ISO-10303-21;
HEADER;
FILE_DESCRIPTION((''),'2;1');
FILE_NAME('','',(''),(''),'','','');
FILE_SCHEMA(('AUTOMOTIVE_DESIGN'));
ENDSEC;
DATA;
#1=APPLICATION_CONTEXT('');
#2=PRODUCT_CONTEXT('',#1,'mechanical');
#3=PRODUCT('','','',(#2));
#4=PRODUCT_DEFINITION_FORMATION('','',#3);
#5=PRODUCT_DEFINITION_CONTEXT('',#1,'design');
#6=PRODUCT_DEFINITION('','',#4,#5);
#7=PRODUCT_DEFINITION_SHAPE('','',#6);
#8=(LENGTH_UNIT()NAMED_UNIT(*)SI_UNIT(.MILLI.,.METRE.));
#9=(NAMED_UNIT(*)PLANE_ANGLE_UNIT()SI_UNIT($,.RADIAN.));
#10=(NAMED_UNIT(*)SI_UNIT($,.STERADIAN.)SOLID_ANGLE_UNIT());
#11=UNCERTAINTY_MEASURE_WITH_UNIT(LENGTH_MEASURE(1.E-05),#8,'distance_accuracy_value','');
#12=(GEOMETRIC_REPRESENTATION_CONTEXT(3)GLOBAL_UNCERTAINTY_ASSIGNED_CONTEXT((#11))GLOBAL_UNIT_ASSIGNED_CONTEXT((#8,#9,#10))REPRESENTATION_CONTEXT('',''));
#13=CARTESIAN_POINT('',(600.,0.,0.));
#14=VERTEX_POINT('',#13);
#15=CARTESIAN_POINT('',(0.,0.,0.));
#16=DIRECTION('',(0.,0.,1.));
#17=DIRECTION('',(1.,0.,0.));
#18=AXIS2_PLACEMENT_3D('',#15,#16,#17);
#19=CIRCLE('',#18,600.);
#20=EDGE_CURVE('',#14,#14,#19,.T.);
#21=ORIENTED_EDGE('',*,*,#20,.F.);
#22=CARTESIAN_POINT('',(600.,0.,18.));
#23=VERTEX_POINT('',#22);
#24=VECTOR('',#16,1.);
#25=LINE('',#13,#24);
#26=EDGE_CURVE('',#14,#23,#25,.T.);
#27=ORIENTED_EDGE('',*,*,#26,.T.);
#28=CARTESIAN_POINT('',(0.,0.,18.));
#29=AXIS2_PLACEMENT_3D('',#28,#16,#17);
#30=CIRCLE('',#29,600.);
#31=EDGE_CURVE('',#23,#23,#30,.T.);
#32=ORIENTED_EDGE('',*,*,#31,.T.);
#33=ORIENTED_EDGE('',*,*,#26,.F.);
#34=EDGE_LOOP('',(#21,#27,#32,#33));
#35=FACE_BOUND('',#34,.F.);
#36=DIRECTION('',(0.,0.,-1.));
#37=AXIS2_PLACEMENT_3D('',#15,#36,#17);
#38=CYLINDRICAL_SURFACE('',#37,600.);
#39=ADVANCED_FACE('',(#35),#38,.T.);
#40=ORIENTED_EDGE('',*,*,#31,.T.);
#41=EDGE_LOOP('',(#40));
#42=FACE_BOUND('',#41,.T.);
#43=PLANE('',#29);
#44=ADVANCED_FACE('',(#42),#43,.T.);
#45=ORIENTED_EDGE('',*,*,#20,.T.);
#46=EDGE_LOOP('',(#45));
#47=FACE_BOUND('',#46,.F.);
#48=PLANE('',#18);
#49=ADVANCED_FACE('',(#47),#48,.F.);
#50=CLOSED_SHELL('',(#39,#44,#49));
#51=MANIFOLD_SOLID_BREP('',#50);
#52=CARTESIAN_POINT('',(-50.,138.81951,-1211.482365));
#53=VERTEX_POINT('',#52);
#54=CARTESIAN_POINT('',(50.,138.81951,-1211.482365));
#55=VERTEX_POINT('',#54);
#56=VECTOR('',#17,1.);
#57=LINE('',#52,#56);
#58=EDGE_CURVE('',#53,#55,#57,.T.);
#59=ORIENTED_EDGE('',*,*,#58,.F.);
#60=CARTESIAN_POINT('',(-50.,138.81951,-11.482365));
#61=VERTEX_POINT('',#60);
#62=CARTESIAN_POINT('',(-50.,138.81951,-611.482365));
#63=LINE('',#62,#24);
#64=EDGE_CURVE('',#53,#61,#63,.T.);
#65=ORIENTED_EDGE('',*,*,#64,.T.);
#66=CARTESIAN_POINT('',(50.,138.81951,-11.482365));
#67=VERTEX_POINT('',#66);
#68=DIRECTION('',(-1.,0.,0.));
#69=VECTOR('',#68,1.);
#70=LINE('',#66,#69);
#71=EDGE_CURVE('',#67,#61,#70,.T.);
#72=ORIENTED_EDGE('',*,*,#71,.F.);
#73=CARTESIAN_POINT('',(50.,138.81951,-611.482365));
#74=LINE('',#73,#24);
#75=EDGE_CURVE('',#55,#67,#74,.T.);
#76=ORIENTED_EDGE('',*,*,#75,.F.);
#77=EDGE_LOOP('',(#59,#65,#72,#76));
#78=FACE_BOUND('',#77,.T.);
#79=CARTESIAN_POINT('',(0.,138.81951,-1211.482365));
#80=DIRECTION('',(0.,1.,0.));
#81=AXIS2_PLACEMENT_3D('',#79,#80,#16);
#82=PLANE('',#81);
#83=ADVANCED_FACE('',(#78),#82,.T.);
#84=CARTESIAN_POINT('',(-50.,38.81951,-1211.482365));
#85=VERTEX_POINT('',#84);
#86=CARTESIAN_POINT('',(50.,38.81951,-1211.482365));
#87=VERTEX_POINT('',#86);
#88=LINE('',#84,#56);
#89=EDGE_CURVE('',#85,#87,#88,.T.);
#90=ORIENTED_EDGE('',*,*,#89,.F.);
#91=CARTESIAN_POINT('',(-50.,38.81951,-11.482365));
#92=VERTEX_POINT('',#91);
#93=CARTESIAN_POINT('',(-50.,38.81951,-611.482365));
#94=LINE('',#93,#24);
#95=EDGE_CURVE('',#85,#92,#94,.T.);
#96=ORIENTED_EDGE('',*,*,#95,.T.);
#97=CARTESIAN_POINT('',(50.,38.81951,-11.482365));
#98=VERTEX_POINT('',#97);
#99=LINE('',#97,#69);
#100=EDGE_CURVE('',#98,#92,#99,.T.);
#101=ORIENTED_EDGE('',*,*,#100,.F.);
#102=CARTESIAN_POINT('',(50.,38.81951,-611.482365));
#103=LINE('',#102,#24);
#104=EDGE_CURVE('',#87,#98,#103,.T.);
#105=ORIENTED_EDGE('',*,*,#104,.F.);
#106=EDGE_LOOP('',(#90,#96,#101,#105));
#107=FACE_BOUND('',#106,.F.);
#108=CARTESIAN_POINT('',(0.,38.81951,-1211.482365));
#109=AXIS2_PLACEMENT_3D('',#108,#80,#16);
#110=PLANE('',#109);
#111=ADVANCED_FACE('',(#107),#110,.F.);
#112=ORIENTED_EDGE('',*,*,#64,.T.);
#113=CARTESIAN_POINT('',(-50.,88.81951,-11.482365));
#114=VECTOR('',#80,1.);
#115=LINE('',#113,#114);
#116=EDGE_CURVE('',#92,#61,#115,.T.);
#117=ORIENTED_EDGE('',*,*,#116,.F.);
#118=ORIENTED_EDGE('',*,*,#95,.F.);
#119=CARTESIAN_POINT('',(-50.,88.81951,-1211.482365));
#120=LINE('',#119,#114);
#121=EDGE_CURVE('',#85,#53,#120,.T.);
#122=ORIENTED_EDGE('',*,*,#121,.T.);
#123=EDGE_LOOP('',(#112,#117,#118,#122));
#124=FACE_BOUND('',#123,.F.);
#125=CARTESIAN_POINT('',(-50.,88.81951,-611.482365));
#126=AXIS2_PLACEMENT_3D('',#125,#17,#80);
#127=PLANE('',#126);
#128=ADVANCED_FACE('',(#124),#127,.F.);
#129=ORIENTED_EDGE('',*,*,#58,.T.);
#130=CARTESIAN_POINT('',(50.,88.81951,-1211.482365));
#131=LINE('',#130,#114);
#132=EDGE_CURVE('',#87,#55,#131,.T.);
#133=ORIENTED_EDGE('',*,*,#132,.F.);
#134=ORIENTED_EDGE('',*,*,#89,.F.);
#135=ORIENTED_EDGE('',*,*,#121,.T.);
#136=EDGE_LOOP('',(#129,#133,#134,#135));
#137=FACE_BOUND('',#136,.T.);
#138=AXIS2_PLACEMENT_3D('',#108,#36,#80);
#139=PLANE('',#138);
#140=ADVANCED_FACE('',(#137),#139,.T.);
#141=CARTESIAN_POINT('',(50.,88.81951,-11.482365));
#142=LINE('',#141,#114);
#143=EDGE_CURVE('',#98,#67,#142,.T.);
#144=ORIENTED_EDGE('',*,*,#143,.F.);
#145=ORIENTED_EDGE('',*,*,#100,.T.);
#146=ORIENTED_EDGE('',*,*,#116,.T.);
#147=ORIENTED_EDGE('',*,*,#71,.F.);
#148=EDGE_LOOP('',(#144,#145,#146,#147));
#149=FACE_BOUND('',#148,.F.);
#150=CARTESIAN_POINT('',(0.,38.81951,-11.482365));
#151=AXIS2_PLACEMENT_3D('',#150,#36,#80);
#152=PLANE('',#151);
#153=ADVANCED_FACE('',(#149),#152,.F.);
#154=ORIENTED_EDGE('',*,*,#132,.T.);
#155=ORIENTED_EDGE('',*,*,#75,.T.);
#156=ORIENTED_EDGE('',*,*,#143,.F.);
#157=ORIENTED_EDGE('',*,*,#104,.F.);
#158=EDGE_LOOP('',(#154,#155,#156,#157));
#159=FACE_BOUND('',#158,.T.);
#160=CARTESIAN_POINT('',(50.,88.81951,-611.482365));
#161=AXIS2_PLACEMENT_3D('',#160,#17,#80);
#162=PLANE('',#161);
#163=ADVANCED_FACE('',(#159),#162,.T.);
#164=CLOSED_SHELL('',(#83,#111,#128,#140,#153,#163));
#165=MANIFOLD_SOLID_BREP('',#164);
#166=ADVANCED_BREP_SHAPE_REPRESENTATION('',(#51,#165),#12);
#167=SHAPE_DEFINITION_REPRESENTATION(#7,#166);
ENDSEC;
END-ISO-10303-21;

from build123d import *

# Parameters (mm, degrees)
F0_R     = 600
F1_DEPTH = 18
F3_W     = 100
F3_H     = 1200
F4_DEPTH = 50


with BuildPart() as f1:
    # F0 (on Top) → F1 (new body)
    with BuildSketch(Plane.XY):
        Circle(F0_R)
    extrude(amount=F1_DEPTH)


with BuildPart() as f4:
    # F3 (on offset) → F4 (new body, symmetric)
    with BuildSketch(Plane.YZ):
        with Locations((88.81951, -611.482365)):
            Rectangle(F3_W, F3_H)
    extrude(amount=F4_DEPTH, both=True)


solid = Compound([f1.part, f4.part])
